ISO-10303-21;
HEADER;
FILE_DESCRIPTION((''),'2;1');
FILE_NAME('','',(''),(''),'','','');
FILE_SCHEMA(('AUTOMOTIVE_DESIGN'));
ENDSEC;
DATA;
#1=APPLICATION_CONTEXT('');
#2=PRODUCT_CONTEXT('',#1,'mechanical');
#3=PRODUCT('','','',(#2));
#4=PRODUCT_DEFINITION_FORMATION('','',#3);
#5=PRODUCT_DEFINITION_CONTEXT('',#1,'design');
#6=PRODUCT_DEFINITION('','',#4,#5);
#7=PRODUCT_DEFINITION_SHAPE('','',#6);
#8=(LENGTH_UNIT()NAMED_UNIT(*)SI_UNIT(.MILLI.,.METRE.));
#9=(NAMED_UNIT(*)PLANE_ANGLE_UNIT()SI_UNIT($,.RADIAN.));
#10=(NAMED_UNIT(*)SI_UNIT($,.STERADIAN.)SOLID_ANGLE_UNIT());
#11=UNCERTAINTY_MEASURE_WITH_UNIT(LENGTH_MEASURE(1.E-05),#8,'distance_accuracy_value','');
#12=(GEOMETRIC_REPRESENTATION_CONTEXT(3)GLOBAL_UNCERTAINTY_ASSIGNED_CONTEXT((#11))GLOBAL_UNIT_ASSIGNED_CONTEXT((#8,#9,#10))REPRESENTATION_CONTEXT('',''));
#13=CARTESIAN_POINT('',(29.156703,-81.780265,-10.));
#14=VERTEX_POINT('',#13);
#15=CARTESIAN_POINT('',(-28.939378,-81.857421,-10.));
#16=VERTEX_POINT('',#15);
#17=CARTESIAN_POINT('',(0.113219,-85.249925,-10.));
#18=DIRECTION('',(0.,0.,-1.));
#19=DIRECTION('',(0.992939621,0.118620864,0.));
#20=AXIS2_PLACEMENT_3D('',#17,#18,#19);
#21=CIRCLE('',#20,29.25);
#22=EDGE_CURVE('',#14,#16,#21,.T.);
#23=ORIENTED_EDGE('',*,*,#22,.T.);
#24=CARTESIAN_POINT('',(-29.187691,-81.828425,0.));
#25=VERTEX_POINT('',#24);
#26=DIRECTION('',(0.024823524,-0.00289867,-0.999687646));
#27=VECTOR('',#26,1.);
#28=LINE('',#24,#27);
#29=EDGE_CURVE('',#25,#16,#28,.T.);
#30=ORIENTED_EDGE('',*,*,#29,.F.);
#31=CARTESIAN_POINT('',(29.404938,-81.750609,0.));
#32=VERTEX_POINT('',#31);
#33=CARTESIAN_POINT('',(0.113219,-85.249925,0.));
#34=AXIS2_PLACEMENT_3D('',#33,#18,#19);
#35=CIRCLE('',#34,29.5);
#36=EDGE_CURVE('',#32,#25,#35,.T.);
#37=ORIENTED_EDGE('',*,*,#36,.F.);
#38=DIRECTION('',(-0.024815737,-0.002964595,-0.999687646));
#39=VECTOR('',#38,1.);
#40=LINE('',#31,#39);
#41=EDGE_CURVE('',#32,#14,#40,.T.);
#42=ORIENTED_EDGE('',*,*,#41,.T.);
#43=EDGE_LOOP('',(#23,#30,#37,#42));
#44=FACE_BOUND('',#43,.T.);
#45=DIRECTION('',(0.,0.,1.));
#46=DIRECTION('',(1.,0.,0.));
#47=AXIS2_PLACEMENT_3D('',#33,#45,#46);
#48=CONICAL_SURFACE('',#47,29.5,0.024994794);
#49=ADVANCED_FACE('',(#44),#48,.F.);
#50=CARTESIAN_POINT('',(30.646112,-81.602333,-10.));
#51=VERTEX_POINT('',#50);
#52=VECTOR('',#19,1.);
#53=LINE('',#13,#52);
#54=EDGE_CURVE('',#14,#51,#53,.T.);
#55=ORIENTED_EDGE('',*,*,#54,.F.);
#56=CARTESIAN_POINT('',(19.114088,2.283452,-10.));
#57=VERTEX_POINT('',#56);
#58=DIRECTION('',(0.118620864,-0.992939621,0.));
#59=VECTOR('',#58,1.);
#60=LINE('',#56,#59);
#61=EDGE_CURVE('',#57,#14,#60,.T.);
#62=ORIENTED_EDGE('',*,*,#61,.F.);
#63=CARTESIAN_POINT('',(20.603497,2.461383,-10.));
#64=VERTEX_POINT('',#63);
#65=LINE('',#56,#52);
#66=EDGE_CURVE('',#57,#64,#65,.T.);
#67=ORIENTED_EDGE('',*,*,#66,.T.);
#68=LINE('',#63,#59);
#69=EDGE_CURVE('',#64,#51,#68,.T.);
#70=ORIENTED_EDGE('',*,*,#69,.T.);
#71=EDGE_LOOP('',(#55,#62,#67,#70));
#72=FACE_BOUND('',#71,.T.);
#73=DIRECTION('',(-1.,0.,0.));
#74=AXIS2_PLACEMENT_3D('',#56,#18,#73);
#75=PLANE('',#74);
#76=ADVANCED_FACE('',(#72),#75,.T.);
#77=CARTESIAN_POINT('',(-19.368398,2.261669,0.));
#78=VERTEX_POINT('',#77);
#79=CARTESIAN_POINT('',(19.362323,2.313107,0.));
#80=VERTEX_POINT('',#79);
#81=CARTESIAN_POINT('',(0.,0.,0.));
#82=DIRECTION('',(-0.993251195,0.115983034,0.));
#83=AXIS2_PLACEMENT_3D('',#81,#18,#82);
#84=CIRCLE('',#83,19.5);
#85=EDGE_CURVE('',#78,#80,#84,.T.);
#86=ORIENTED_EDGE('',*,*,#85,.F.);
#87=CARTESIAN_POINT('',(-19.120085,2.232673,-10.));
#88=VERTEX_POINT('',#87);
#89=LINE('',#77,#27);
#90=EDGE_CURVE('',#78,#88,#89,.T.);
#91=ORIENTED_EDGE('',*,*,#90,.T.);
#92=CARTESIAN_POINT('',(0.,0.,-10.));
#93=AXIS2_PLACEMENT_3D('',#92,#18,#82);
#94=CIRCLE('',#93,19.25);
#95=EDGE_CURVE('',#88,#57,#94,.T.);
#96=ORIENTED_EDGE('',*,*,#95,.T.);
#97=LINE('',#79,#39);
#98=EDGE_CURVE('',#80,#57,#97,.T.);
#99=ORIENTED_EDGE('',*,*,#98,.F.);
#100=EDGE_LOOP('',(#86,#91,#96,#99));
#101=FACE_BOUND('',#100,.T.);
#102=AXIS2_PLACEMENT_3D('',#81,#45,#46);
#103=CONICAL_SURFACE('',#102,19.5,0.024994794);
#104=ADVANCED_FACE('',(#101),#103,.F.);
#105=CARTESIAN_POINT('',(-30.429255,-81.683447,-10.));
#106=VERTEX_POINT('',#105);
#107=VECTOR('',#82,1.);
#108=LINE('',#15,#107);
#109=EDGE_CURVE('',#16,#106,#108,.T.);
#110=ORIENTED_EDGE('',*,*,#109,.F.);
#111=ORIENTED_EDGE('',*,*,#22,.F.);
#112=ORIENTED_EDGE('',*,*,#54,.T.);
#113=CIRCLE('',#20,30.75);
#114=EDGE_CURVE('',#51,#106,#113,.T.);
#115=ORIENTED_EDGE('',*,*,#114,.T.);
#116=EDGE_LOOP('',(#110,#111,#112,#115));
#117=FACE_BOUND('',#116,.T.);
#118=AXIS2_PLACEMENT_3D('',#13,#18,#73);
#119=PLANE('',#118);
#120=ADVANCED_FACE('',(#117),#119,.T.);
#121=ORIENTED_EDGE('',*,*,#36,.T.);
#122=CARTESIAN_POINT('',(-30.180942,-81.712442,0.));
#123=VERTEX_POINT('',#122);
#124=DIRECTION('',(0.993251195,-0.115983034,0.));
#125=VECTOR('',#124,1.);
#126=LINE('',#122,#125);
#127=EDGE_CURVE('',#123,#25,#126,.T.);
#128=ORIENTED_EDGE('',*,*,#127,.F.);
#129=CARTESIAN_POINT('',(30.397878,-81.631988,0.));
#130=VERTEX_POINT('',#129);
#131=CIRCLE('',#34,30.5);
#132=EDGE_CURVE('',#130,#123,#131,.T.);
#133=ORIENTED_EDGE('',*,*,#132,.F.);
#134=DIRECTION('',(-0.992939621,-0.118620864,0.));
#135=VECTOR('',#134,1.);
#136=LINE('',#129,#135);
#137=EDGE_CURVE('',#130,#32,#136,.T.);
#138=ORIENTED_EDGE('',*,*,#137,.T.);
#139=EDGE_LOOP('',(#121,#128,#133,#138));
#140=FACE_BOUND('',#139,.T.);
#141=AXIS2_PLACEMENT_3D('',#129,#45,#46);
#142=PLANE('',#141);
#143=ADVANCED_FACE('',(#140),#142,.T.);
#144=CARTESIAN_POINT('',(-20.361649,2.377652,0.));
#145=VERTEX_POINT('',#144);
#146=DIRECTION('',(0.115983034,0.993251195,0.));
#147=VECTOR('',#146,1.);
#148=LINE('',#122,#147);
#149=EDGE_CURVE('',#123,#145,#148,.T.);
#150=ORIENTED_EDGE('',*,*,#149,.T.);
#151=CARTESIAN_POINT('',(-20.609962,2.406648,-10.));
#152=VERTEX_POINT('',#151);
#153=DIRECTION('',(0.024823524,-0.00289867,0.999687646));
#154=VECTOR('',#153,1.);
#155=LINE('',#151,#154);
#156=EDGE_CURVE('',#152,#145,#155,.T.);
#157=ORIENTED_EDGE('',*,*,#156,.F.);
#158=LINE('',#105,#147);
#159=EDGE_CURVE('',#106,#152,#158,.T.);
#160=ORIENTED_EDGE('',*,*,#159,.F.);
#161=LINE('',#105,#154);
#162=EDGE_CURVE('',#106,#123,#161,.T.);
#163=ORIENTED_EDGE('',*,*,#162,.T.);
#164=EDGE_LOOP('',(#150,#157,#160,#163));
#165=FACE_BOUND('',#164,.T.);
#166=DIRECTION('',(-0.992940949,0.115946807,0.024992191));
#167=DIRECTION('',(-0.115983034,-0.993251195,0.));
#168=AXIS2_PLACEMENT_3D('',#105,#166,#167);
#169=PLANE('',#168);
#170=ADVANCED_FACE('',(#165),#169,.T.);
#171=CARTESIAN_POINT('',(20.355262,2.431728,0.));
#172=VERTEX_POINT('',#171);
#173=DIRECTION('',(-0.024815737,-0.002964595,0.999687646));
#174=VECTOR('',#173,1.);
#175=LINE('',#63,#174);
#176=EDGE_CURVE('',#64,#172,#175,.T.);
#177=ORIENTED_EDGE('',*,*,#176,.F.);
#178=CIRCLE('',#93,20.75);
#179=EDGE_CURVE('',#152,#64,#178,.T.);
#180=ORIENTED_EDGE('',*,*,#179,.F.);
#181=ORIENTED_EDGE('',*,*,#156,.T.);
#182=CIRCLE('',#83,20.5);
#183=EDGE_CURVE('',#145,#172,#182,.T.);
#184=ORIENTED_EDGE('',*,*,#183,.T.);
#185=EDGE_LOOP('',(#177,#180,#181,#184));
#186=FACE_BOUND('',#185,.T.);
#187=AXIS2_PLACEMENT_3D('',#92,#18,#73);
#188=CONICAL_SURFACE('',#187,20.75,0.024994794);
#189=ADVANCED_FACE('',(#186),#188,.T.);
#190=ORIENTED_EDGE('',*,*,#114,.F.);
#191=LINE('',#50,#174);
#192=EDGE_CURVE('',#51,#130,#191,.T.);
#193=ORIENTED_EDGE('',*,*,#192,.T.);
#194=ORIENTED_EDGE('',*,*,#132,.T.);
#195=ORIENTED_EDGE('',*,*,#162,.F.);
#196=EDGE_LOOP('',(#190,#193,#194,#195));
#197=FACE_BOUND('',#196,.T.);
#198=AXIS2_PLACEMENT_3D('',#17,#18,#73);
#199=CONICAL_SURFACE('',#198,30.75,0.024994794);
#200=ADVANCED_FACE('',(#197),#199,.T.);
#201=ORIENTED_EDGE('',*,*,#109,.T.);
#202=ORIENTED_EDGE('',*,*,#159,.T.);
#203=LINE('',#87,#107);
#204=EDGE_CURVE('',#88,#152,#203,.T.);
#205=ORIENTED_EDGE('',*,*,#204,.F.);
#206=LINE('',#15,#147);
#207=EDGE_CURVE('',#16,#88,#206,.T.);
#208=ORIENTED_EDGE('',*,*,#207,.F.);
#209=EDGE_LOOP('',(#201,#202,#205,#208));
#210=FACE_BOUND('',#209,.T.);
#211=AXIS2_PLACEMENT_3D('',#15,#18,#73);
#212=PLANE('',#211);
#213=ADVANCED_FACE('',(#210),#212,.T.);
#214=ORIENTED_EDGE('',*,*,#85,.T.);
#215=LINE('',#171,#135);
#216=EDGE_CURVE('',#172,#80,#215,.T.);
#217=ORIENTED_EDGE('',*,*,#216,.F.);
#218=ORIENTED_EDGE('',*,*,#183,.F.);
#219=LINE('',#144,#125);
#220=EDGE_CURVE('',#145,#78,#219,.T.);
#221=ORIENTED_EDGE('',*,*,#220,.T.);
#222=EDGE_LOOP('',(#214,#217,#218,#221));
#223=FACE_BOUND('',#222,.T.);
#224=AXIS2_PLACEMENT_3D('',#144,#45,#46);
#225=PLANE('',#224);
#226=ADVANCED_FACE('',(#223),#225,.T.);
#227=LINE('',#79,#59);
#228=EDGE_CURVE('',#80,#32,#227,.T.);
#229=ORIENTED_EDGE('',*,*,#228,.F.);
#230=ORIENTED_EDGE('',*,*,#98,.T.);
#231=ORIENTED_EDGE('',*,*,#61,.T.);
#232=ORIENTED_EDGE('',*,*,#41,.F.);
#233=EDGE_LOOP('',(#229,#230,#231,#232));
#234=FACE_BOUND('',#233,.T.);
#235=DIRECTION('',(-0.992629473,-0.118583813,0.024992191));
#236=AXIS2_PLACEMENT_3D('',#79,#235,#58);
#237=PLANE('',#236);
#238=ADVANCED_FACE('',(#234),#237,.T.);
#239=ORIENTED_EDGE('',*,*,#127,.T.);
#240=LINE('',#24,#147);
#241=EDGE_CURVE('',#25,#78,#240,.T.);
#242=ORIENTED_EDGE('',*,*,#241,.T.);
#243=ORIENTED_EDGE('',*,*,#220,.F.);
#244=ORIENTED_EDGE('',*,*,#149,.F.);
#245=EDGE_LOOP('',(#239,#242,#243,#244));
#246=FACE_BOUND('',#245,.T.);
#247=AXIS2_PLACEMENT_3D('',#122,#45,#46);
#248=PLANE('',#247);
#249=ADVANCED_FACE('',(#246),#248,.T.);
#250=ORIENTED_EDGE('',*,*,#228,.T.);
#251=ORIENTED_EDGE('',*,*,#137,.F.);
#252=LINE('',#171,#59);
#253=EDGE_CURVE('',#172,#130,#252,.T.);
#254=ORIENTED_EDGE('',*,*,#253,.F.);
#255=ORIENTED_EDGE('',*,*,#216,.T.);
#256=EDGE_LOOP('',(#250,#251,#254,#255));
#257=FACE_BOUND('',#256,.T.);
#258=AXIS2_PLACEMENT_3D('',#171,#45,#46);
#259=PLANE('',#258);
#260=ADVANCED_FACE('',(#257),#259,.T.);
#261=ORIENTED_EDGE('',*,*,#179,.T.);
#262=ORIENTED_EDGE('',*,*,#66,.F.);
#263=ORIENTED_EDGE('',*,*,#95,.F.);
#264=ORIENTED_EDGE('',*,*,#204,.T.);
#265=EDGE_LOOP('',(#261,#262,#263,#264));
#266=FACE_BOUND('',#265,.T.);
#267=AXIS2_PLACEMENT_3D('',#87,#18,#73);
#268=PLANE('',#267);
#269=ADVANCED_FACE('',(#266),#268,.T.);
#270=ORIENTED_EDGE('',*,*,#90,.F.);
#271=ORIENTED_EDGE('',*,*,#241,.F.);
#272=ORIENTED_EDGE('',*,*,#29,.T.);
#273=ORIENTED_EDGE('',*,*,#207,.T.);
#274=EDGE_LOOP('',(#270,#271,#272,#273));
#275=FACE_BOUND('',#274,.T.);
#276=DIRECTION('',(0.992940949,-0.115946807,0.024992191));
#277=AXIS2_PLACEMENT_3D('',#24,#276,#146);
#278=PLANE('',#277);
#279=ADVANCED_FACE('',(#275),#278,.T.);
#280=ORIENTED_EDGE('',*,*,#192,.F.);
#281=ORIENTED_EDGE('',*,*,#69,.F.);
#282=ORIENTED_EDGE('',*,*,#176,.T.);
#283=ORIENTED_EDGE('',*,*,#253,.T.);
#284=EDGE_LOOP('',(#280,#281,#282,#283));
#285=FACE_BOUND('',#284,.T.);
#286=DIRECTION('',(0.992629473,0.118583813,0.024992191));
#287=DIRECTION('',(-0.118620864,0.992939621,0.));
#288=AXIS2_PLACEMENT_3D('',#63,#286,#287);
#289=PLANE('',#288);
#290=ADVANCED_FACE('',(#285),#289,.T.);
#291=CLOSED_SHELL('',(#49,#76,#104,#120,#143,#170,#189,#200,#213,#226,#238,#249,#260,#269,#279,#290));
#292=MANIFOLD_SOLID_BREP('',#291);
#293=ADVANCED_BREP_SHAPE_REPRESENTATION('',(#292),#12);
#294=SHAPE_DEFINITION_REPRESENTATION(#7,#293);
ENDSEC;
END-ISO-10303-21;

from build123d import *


with BuildPart() as part:
    # Sweep1: sweep along a path in Sketch2
    with BuildLine(Plane.XY) as sweep1_path:
        Line((19.858792416, 2.372417285), (29.901407752, -81.691298891))
        ThreePointArc((29.901407752, -81.691298891), (0.153061636, -115.249898361), (-29.684316712, -81.770433785))
        Line((-29.684316712, -81.770433785), (-19.865023893, 2.319660689))
        ThreePointArc((-19.865023893, 2.319660689), (-0.026561672, 19.999982362), (19.858792416, 2.372417285))
    # Sketch3 → Sweep1 (sweep)
    with BuildSketch(Plane(origin=(19.858792416, 2.372417285, 0), x_dir=(-0.9929396208069757, -0.11862086423433003, 0), z_dir=(0.11862086423433002, -0.9929396208069756, 0))):
        Polygon((0.75, 10), (-0.75, 10), (-0.5, 0), (0.5, 0), align=None)
    sweep(path=sweep1_path.line)


solid = part.part
